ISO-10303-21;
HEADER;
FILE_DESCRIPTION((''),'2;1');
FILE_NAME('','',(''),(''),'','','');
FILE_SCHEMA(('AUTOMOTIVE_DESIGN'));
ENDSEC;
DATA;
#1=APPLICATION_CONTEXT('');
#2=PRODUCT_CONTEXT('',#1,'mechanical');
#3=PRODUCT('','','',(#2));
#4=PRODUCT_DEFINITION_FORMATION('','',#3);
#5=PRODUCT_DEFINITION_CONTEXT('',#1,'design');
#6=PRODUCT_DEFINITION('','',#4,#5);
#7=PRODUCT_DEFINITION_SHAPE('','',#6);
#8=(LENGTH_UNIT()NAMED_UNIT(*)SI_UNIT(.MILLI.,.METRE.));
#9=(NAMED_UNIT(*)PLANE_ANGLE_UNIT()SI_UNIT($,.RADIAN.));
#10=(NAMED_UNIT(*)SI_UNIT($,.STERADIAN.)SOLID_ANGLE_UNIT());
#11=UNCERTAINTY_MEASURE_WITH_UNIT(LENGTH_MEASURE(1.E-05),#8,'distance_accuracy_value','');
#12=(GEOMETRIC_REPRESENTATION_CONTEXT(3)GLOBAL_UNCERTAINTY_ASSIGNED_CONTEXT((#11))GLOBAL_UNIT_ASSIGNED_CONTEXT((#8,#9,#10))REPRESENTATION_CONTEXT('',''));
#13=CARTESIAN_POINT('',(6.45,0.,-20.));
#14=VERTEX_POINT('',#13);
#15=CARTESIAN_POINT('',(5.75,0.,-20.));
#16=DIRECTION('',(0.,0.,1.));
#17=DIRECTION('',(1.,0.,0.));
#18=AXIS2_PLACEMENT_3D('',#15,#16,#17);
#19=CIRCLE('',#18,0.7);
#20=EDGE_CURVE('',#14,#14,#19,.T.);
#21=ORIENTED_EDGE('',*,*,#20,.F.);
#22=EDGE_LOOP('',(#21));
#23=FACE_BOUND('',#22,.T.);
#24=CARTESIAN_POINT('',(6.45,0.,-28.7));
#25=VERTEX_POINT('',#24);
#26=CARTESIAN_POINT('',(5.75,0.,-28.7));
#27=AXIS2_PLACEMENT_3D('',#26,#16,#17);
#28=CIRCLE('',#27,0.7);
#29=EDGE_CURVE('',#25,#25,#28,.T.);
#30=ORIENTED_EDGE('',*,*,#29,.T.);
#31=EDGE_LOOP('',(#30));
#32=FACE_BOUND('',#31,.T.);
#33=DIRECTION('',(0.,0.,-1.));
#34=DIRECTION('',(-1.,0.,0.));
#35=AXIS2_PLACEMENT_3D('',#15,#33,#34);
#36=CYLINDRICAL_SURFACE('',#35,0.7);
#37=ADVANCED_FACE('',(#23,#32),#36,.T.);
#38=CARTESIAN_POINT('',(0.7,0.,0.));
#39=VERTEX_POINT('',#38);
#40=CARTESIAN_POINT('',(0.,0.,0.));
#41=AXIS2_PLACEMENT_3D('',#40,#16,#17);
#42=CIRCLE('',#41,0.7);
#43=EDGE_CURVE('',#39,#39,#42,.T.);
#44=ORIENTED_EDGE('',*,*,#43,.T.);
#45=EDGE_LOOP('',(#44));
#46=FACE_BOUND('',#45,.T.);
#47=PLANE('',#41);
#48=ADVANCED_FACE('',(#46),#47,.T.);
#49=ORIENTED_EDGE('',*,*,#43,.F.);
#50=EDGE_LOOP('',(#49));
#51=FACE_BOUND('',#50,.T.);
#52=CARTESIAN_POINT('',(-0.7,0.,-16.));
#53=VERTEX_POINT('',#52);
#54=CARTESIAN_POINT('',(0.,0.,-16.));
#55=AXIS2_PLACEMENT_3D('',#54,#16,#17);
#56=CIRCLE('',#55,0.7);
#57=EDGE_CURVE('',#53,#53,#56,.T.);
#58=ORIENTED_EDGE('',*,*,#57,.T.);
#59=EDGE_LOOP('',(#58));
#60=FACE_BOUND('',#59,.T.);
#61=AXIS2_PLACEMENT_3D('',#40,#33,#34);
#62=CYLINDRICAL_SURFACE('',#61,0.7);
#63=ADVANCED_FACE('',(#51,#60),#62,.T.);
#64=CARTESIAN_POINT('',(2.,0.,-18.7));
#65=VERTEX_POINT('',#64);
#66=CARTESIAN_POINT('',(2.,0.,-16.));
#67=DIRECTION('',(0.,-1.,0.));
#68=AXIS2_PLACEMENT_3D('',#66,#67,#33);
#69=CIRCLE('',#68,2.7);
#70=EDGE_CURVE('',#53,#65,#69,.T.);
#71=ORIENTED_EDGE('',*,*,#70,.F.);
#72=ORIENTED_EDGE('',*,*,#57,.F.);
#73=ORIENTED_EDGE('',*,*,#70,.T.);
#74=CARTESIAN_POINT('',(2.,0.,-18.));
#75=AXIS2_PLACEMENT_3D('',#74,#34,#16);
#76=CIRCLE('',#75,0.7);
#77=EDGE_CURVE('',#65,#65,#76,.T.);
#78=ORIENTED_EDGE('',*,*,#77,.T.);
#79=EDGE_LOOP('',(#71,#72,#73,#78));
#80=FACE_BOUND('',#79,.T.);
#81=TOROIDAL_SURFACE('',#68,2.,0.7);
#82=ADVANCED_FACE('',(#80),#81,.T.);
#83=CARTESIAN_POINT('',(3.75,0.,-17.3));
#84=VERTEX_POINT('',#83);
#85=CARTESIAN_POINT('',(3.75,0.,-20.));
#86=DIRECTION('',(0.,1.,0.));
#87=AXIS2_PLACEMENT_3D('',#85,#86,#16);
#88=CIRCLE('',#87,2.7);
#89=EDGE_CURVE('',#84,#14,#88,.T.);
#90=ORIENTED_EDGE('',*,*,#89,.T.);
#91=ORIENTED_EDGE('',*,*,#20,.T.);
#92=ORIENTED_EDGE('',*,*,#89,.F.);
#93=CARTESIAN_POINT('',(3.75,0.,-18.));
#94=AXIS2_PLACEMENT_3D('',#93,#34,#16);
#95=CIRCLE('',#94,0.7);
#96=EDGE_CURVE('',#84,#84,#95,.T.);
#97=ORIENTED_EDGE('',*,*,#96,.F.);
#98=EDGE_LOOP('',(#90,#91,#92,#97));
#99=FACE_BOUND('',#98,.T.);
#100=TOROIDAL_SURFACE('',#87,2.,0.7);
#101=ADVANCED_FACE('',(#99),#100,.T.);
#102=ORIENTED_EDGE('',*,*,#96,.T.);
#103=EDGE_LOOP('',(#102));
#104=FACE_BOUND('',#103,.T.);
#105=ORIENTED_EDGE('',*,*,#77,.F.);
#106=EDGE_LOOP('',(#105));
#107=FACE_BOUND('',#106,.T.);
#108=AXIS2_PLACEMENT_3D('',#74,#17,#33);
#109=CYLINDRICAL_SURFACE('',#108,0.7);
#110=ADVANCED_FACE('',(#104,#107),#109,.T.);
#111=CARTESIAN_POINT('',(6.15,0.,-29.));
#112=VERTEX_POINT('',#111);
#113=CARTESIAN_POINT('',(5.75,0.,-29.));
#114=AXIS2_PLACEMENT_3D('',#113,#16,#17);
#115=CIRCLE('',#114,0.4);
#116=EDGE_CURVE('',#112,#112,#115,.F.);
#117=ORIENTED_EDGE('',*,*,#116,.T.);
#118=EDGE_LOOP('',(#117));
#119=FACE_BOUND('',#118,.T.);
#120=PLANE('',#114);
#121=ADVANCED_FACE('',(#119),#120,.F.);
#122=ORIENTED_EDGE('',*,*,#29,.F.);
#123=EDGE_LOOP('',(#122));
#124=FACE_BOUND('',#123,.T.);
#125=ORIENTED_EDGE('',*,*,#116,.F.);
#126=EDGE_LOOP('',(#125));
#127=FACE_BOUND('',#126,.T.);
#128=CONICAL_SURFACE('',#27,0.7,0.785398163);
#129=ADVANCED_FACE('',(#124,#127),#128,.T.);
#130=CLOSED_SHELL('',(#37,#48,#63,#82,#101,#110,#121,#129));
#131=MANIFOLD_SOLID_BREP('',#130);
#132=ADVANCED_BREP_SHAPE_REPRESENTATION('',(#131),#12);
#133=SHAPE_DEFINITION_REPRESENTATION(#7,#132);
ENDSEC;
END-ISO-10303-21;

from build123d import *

# Parameters (mm, degrees)
SKETCH2_R     = 0.7
CHAMFER1_SIZE = 0.3


with BuildPart() as part:
    # Sweep1: sweep along a path in Sketch1
    with BuildLine(Plane(origin=(0, 0, 0), x_dir=(1, 0, 0), z_dir=(0, 1, 0))) as sweep1_path:
        Line((0, 0), (0, 16))
        ThreePointArc((0, 16), (0.585786438, 17.414213562), (2, 18))
        Line((2, 18), (3.75, 18))
        ThreePointArc((3.75, 18), (5.164213562, 18.585786438), (5.75, 20))
        Line((5.75, 20), (5.75, 29))
    # Sketch2 → Sweep1 (sweep)
    with BuildSketch(Plane.XY):
        Circle(SKETCH2_R)
    sweep(path=sweep1_path.line)

    # Chamfer1
    chamfer1_edges = [part.edges().sort_by_distance(p)[0] for p in [
        (5.05, 0, -29),
    ]]
    chamfer(chamfer1_edges, length=CHAMFER1_SIZE)


solid = part.part
